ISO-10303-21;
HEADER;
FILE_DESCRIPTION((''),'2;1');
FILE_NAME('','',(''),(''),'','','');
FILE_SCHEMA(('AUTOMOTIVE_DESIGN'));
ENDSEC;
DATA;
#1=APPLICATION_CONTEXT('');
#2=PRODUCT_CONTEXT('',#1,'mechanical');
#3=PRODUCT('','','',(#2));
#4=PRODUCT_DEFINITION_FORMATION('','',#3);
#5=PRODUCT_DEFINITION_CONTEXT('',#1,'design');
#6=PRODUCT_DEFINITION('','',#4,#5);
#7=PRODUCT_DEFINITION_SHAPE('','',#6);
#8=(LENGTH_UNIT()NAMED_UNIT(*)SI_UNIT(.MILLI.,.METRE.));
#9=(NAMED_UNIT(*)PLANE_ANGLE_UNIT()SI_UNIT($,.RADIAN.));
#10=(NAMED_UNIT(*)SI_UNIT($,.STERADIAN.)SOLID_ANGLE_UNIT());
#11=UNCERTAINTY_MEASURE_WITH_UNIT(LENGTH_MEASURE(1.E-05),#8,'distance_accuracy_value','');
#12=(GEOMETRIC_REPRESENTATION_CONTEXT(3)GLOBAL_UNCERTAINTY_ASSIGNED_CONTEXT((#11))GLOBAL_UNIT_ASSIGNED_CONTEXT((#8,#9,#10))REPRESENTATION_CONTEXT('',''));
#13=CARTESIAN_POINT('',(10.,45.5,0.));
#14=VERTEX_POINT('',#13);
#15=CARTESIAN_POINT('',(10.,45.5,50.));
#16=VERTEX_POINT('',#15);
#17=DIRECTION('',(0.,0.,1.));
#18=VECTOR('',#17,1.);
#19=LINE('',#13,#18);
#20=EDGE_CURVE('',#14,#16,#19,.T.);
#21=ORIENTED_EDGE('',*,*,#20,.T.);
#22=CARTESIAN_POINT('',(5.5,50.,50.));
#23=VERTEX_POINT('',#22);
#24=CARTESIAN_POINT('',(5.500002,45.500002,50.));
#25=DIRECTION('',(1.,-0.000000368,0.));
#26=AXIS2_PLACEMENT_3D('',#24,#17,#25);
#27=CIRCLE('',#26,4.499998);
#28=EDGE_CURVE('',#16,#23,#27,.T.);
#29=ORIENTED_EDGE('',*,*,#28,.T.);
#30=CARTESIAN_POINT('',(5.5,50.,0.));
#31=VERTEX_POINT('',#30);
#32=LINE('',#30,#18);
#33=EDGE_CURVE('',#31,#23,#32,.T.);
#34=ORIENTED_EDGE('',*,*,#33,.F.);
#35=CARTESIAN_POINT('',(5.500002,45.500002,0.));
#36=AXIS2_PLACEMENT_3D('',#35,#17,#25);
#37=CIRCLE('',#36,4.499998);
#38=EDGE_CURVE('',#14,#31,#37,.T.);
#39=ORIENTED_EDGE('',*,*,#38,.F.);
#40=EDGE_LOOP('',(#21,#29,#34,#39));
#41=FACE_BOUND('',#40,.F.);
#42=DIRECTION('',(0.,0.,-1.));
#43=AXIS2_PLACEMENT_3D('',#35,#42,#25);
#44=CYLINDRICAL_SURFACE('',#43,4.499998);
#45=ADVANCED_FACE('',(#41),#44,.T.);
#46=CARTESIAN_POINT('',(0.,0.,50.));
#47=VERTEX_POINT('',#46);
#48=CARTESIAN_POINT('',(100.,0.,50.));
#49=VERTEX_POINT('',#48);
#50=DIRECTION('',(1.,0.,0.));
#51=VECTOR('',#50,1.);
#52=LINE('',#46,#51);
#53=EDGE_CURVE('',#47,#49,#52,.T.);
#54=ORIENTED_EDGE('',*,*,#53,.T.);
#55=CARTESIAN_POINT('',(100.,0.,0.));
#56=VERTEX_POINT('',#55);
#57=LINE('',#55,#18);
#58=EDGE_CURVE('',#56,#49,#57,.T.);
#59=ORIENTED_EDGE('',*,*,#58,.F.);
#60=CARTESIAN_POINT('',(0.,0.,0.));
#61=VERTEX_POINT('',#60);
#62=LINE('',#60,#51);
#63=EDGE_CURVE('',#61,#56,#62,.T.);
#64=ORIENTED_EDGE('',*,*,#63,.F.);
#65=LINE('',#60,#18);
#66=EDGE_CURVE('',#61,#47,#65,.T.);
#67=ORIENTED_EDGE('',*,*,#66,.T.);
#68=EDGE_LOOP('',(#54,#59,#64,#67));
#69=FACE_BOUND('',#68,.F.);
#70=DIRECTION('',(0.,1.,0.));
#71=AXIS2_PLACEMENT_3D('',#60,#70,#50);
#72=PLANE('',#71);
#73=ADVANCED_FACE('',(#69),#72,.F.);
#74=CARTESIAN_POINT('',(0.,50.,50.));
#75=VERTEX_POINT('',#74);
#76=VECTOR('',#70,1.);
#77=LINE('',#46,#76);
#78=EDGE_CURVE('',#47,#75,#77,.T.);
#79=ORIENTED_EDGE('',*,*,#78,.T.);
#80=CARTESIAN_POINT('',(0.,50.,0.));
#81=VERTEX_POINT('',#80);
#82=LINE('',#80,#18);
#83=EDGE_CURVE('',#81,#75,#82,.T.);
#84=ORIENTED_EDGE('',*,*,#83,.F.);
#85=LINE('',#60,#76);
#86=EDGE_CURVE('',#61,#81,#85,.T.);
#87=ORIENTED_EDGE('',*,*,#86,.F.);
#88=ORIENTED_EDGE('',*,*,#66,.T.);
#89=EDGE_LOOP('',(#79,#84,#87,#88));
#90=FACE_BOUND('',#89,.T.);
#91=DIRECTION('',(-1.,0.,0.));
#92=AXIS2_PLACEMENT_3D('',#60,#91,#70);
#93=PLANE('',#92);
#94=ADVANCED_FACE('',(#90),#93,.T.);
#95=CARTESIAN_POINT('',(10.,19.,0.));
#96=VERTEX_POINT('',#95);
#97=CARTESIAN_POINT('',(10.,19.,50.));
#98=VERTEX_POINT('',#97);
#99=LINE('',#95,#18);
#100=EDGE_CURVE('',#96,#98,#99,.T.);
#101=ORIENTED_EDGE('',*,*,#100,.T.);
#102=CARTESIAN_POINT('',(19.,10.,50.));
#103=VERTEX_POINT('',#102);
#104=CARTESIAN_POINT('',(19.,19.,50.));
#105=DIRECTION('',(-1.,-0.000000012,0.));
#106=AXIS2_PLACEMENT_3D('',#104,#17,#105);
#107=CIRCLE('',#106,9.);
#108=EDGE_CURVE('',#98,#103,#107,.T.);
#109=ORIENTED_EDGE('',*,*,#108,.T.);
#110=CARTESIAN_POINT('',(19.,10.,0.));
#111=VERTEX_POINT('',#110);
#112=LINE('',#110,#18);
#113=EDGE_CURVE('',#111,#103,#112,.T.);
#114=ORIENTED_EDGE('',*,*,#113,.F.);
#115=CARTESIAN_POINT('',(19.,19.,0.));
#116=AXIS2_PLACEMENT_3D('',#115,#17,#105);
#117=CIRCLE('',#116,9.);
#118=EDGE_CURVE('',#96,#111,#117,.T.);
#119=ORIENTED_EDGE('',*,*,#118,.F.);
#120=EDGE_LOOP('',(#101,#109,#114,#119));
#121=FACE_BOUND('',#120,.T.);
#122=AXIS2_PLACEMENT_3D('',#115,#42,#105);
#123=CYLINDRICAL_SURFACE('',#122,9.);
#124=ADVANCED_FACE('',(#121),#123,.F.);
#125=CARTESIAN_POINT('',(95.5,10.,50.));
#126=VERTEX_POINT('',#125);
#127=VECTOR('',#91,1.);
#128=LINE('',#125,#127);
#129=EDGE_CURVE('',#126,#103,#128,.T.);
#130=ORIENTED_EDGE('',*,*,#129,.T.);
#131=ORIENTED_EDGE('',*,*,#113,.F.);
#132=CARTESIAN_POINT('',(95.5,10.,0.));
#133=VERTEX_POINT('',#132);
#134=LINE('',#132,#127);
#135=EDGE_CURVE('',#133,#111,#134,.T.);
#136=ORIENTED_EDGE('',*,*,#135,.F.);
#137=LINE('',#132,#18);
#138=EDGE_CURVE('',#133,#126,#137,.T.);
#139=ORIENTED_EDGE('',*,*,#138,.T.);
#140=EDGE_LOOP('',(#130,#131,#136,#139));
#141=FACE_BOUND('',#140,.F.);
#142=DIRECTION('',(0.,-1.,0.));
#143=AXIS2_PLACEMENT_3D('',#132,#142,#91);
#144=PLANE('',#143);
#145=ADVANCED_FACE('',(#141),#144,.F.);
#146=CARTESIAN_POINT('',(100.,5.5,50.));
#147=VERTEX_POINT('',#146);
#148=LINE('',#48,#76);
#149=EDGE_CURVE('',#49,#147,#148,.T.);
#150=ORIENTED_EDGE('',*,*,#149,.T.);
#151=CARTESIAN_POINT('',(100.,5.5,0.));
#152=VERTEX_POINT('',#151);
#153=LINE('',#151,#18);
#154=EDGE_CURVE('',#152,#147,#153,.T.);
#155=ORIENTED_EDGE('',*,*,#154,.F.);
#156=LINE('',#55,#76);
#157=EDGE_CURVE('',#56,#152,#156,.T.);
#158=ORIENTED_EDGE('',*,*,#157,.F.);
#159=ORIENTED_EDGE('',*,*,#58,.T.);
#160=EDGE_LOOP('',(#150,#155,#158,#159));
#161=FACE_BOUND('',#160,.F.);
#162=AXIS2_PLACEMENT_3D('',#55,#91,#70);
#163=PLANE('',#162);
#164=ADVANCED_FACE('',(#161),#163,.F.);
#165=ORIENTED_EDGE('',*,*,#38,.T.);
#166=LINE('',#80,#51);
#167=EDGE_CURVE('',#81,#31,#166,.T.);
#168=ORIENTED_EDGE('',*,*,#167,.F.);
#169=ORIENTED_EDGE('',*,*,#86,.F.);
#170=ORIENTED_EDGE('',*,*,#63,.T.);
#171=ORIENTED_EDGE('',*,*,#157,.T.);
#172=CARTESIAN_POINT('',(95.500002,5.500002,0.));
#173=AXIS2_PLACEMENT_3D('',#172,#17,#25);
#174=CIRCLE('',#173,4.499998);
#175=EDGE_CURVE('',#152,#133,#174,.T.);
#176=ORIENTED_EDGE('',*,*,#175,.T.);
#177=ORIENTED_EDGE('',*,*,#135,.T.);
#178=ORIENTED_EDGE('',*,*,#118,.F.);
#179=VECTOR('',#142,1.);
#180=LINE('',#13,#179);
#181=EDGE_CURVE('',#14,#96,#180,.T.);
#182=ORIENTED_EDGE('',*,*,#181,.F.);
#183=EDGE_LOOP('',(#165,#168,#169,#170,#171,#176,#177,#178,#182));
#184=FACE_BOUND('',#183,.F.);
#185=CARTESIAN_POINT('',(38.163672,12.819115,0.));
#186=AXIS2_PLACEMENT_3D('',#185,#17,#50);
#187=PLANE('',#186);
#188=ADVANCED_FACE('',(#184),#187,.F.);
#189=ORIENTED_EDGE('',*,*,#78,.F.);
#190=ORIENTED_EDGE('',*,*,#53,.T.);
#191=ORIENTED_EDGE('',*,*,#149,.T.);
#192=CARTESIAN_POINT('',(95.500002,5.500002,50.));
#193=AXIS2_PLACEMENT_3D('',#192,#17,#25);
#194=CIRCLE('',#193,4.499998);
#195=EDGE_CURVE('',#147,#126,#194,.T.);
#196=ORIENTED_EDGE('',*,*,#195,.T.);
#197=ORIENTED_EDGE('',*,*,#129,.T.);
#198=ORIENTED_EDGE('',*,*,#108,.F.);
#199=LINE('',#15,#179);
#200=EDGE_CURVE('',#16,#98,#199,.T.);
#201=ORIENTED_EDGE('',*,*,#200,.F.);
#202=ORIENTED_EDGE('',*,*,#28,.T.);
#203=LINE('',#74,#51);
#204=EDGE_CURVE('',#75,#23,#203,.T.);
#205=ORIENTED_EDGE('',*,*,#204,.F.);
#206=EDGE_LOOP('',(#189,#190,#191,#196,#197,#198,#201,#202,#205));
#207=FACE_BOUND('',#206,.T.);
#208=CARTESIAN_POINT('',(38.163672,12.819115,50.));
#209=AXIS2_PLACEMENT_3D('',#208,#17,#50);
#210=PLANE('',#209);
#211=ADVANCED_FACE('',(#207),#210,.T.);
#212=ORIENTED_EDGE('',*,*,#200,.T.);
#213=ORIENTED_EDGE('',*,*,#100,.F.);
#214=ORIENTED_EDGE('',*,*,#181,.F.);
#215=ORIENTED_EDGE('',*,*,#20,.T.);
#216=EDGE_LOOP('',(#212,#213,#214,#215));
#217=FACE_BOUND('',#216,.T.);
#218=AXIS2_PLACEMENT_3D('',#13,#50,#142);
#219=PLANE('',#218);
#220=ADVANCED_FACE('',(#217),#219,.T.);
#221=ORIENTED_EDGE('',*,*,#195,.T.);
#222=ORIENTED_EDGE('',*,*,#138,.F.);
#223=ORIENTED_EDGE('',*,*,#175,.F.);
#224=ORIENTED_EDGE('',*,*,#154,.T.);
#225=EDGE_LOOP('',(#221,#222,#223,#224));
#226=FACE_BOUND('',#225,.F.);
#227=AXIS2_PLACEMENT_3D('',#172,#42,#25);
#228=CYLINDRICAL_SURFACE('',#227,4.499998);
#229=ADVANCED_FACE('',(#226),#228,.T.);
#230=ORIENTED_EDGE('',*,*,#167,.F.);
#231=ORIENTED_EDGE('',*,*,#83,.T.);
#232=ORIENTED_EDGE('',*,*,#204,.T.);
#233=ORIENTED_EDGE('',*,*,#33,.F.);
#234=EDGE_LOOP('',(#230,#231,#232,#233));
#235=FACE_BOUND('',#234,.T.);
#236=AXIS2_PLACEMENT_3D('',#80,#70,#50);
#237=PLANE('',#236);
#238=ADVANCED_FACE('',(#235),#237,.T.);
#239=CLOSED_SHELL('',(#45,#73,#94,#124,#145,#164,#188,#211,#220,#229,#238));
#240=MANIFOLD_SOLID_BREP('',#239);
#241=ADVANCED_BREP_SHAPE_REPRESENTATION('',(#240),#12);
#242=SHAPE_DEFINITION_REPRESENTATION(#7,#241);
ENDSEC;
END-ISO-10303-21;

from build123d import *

# Parameters (mm, degrees)
EXTRUDE_DEPTH = 50


with BuildPart() as part:
    # Sketch → Extrude (new body)
    with BuildSketch(Plane.XY):
        with BuildLine():
            Line((0, 0), (100, 0))
            Line((100, 0), (100, 5.5))
            ThreePointArc((100, 5.5), (98.681981, 8.681981), (95.5, 10))
            Line((95.5, 10), (19, 10))
            ThreePointArc((10, 19), (12.636039, 12.636039), (19, 10))
            Line((10, 45.5), (10, 19))
            ThreePointArc((10, 45.5), (8.681981, 48.681981), (5.5, 50))
            Line((0, 50), (5.5, 50))
            Line((0, 0), (0, 50))
        make_face()
    extrude(amount=EXTRUDE_DEPTH)


solid = part.part
